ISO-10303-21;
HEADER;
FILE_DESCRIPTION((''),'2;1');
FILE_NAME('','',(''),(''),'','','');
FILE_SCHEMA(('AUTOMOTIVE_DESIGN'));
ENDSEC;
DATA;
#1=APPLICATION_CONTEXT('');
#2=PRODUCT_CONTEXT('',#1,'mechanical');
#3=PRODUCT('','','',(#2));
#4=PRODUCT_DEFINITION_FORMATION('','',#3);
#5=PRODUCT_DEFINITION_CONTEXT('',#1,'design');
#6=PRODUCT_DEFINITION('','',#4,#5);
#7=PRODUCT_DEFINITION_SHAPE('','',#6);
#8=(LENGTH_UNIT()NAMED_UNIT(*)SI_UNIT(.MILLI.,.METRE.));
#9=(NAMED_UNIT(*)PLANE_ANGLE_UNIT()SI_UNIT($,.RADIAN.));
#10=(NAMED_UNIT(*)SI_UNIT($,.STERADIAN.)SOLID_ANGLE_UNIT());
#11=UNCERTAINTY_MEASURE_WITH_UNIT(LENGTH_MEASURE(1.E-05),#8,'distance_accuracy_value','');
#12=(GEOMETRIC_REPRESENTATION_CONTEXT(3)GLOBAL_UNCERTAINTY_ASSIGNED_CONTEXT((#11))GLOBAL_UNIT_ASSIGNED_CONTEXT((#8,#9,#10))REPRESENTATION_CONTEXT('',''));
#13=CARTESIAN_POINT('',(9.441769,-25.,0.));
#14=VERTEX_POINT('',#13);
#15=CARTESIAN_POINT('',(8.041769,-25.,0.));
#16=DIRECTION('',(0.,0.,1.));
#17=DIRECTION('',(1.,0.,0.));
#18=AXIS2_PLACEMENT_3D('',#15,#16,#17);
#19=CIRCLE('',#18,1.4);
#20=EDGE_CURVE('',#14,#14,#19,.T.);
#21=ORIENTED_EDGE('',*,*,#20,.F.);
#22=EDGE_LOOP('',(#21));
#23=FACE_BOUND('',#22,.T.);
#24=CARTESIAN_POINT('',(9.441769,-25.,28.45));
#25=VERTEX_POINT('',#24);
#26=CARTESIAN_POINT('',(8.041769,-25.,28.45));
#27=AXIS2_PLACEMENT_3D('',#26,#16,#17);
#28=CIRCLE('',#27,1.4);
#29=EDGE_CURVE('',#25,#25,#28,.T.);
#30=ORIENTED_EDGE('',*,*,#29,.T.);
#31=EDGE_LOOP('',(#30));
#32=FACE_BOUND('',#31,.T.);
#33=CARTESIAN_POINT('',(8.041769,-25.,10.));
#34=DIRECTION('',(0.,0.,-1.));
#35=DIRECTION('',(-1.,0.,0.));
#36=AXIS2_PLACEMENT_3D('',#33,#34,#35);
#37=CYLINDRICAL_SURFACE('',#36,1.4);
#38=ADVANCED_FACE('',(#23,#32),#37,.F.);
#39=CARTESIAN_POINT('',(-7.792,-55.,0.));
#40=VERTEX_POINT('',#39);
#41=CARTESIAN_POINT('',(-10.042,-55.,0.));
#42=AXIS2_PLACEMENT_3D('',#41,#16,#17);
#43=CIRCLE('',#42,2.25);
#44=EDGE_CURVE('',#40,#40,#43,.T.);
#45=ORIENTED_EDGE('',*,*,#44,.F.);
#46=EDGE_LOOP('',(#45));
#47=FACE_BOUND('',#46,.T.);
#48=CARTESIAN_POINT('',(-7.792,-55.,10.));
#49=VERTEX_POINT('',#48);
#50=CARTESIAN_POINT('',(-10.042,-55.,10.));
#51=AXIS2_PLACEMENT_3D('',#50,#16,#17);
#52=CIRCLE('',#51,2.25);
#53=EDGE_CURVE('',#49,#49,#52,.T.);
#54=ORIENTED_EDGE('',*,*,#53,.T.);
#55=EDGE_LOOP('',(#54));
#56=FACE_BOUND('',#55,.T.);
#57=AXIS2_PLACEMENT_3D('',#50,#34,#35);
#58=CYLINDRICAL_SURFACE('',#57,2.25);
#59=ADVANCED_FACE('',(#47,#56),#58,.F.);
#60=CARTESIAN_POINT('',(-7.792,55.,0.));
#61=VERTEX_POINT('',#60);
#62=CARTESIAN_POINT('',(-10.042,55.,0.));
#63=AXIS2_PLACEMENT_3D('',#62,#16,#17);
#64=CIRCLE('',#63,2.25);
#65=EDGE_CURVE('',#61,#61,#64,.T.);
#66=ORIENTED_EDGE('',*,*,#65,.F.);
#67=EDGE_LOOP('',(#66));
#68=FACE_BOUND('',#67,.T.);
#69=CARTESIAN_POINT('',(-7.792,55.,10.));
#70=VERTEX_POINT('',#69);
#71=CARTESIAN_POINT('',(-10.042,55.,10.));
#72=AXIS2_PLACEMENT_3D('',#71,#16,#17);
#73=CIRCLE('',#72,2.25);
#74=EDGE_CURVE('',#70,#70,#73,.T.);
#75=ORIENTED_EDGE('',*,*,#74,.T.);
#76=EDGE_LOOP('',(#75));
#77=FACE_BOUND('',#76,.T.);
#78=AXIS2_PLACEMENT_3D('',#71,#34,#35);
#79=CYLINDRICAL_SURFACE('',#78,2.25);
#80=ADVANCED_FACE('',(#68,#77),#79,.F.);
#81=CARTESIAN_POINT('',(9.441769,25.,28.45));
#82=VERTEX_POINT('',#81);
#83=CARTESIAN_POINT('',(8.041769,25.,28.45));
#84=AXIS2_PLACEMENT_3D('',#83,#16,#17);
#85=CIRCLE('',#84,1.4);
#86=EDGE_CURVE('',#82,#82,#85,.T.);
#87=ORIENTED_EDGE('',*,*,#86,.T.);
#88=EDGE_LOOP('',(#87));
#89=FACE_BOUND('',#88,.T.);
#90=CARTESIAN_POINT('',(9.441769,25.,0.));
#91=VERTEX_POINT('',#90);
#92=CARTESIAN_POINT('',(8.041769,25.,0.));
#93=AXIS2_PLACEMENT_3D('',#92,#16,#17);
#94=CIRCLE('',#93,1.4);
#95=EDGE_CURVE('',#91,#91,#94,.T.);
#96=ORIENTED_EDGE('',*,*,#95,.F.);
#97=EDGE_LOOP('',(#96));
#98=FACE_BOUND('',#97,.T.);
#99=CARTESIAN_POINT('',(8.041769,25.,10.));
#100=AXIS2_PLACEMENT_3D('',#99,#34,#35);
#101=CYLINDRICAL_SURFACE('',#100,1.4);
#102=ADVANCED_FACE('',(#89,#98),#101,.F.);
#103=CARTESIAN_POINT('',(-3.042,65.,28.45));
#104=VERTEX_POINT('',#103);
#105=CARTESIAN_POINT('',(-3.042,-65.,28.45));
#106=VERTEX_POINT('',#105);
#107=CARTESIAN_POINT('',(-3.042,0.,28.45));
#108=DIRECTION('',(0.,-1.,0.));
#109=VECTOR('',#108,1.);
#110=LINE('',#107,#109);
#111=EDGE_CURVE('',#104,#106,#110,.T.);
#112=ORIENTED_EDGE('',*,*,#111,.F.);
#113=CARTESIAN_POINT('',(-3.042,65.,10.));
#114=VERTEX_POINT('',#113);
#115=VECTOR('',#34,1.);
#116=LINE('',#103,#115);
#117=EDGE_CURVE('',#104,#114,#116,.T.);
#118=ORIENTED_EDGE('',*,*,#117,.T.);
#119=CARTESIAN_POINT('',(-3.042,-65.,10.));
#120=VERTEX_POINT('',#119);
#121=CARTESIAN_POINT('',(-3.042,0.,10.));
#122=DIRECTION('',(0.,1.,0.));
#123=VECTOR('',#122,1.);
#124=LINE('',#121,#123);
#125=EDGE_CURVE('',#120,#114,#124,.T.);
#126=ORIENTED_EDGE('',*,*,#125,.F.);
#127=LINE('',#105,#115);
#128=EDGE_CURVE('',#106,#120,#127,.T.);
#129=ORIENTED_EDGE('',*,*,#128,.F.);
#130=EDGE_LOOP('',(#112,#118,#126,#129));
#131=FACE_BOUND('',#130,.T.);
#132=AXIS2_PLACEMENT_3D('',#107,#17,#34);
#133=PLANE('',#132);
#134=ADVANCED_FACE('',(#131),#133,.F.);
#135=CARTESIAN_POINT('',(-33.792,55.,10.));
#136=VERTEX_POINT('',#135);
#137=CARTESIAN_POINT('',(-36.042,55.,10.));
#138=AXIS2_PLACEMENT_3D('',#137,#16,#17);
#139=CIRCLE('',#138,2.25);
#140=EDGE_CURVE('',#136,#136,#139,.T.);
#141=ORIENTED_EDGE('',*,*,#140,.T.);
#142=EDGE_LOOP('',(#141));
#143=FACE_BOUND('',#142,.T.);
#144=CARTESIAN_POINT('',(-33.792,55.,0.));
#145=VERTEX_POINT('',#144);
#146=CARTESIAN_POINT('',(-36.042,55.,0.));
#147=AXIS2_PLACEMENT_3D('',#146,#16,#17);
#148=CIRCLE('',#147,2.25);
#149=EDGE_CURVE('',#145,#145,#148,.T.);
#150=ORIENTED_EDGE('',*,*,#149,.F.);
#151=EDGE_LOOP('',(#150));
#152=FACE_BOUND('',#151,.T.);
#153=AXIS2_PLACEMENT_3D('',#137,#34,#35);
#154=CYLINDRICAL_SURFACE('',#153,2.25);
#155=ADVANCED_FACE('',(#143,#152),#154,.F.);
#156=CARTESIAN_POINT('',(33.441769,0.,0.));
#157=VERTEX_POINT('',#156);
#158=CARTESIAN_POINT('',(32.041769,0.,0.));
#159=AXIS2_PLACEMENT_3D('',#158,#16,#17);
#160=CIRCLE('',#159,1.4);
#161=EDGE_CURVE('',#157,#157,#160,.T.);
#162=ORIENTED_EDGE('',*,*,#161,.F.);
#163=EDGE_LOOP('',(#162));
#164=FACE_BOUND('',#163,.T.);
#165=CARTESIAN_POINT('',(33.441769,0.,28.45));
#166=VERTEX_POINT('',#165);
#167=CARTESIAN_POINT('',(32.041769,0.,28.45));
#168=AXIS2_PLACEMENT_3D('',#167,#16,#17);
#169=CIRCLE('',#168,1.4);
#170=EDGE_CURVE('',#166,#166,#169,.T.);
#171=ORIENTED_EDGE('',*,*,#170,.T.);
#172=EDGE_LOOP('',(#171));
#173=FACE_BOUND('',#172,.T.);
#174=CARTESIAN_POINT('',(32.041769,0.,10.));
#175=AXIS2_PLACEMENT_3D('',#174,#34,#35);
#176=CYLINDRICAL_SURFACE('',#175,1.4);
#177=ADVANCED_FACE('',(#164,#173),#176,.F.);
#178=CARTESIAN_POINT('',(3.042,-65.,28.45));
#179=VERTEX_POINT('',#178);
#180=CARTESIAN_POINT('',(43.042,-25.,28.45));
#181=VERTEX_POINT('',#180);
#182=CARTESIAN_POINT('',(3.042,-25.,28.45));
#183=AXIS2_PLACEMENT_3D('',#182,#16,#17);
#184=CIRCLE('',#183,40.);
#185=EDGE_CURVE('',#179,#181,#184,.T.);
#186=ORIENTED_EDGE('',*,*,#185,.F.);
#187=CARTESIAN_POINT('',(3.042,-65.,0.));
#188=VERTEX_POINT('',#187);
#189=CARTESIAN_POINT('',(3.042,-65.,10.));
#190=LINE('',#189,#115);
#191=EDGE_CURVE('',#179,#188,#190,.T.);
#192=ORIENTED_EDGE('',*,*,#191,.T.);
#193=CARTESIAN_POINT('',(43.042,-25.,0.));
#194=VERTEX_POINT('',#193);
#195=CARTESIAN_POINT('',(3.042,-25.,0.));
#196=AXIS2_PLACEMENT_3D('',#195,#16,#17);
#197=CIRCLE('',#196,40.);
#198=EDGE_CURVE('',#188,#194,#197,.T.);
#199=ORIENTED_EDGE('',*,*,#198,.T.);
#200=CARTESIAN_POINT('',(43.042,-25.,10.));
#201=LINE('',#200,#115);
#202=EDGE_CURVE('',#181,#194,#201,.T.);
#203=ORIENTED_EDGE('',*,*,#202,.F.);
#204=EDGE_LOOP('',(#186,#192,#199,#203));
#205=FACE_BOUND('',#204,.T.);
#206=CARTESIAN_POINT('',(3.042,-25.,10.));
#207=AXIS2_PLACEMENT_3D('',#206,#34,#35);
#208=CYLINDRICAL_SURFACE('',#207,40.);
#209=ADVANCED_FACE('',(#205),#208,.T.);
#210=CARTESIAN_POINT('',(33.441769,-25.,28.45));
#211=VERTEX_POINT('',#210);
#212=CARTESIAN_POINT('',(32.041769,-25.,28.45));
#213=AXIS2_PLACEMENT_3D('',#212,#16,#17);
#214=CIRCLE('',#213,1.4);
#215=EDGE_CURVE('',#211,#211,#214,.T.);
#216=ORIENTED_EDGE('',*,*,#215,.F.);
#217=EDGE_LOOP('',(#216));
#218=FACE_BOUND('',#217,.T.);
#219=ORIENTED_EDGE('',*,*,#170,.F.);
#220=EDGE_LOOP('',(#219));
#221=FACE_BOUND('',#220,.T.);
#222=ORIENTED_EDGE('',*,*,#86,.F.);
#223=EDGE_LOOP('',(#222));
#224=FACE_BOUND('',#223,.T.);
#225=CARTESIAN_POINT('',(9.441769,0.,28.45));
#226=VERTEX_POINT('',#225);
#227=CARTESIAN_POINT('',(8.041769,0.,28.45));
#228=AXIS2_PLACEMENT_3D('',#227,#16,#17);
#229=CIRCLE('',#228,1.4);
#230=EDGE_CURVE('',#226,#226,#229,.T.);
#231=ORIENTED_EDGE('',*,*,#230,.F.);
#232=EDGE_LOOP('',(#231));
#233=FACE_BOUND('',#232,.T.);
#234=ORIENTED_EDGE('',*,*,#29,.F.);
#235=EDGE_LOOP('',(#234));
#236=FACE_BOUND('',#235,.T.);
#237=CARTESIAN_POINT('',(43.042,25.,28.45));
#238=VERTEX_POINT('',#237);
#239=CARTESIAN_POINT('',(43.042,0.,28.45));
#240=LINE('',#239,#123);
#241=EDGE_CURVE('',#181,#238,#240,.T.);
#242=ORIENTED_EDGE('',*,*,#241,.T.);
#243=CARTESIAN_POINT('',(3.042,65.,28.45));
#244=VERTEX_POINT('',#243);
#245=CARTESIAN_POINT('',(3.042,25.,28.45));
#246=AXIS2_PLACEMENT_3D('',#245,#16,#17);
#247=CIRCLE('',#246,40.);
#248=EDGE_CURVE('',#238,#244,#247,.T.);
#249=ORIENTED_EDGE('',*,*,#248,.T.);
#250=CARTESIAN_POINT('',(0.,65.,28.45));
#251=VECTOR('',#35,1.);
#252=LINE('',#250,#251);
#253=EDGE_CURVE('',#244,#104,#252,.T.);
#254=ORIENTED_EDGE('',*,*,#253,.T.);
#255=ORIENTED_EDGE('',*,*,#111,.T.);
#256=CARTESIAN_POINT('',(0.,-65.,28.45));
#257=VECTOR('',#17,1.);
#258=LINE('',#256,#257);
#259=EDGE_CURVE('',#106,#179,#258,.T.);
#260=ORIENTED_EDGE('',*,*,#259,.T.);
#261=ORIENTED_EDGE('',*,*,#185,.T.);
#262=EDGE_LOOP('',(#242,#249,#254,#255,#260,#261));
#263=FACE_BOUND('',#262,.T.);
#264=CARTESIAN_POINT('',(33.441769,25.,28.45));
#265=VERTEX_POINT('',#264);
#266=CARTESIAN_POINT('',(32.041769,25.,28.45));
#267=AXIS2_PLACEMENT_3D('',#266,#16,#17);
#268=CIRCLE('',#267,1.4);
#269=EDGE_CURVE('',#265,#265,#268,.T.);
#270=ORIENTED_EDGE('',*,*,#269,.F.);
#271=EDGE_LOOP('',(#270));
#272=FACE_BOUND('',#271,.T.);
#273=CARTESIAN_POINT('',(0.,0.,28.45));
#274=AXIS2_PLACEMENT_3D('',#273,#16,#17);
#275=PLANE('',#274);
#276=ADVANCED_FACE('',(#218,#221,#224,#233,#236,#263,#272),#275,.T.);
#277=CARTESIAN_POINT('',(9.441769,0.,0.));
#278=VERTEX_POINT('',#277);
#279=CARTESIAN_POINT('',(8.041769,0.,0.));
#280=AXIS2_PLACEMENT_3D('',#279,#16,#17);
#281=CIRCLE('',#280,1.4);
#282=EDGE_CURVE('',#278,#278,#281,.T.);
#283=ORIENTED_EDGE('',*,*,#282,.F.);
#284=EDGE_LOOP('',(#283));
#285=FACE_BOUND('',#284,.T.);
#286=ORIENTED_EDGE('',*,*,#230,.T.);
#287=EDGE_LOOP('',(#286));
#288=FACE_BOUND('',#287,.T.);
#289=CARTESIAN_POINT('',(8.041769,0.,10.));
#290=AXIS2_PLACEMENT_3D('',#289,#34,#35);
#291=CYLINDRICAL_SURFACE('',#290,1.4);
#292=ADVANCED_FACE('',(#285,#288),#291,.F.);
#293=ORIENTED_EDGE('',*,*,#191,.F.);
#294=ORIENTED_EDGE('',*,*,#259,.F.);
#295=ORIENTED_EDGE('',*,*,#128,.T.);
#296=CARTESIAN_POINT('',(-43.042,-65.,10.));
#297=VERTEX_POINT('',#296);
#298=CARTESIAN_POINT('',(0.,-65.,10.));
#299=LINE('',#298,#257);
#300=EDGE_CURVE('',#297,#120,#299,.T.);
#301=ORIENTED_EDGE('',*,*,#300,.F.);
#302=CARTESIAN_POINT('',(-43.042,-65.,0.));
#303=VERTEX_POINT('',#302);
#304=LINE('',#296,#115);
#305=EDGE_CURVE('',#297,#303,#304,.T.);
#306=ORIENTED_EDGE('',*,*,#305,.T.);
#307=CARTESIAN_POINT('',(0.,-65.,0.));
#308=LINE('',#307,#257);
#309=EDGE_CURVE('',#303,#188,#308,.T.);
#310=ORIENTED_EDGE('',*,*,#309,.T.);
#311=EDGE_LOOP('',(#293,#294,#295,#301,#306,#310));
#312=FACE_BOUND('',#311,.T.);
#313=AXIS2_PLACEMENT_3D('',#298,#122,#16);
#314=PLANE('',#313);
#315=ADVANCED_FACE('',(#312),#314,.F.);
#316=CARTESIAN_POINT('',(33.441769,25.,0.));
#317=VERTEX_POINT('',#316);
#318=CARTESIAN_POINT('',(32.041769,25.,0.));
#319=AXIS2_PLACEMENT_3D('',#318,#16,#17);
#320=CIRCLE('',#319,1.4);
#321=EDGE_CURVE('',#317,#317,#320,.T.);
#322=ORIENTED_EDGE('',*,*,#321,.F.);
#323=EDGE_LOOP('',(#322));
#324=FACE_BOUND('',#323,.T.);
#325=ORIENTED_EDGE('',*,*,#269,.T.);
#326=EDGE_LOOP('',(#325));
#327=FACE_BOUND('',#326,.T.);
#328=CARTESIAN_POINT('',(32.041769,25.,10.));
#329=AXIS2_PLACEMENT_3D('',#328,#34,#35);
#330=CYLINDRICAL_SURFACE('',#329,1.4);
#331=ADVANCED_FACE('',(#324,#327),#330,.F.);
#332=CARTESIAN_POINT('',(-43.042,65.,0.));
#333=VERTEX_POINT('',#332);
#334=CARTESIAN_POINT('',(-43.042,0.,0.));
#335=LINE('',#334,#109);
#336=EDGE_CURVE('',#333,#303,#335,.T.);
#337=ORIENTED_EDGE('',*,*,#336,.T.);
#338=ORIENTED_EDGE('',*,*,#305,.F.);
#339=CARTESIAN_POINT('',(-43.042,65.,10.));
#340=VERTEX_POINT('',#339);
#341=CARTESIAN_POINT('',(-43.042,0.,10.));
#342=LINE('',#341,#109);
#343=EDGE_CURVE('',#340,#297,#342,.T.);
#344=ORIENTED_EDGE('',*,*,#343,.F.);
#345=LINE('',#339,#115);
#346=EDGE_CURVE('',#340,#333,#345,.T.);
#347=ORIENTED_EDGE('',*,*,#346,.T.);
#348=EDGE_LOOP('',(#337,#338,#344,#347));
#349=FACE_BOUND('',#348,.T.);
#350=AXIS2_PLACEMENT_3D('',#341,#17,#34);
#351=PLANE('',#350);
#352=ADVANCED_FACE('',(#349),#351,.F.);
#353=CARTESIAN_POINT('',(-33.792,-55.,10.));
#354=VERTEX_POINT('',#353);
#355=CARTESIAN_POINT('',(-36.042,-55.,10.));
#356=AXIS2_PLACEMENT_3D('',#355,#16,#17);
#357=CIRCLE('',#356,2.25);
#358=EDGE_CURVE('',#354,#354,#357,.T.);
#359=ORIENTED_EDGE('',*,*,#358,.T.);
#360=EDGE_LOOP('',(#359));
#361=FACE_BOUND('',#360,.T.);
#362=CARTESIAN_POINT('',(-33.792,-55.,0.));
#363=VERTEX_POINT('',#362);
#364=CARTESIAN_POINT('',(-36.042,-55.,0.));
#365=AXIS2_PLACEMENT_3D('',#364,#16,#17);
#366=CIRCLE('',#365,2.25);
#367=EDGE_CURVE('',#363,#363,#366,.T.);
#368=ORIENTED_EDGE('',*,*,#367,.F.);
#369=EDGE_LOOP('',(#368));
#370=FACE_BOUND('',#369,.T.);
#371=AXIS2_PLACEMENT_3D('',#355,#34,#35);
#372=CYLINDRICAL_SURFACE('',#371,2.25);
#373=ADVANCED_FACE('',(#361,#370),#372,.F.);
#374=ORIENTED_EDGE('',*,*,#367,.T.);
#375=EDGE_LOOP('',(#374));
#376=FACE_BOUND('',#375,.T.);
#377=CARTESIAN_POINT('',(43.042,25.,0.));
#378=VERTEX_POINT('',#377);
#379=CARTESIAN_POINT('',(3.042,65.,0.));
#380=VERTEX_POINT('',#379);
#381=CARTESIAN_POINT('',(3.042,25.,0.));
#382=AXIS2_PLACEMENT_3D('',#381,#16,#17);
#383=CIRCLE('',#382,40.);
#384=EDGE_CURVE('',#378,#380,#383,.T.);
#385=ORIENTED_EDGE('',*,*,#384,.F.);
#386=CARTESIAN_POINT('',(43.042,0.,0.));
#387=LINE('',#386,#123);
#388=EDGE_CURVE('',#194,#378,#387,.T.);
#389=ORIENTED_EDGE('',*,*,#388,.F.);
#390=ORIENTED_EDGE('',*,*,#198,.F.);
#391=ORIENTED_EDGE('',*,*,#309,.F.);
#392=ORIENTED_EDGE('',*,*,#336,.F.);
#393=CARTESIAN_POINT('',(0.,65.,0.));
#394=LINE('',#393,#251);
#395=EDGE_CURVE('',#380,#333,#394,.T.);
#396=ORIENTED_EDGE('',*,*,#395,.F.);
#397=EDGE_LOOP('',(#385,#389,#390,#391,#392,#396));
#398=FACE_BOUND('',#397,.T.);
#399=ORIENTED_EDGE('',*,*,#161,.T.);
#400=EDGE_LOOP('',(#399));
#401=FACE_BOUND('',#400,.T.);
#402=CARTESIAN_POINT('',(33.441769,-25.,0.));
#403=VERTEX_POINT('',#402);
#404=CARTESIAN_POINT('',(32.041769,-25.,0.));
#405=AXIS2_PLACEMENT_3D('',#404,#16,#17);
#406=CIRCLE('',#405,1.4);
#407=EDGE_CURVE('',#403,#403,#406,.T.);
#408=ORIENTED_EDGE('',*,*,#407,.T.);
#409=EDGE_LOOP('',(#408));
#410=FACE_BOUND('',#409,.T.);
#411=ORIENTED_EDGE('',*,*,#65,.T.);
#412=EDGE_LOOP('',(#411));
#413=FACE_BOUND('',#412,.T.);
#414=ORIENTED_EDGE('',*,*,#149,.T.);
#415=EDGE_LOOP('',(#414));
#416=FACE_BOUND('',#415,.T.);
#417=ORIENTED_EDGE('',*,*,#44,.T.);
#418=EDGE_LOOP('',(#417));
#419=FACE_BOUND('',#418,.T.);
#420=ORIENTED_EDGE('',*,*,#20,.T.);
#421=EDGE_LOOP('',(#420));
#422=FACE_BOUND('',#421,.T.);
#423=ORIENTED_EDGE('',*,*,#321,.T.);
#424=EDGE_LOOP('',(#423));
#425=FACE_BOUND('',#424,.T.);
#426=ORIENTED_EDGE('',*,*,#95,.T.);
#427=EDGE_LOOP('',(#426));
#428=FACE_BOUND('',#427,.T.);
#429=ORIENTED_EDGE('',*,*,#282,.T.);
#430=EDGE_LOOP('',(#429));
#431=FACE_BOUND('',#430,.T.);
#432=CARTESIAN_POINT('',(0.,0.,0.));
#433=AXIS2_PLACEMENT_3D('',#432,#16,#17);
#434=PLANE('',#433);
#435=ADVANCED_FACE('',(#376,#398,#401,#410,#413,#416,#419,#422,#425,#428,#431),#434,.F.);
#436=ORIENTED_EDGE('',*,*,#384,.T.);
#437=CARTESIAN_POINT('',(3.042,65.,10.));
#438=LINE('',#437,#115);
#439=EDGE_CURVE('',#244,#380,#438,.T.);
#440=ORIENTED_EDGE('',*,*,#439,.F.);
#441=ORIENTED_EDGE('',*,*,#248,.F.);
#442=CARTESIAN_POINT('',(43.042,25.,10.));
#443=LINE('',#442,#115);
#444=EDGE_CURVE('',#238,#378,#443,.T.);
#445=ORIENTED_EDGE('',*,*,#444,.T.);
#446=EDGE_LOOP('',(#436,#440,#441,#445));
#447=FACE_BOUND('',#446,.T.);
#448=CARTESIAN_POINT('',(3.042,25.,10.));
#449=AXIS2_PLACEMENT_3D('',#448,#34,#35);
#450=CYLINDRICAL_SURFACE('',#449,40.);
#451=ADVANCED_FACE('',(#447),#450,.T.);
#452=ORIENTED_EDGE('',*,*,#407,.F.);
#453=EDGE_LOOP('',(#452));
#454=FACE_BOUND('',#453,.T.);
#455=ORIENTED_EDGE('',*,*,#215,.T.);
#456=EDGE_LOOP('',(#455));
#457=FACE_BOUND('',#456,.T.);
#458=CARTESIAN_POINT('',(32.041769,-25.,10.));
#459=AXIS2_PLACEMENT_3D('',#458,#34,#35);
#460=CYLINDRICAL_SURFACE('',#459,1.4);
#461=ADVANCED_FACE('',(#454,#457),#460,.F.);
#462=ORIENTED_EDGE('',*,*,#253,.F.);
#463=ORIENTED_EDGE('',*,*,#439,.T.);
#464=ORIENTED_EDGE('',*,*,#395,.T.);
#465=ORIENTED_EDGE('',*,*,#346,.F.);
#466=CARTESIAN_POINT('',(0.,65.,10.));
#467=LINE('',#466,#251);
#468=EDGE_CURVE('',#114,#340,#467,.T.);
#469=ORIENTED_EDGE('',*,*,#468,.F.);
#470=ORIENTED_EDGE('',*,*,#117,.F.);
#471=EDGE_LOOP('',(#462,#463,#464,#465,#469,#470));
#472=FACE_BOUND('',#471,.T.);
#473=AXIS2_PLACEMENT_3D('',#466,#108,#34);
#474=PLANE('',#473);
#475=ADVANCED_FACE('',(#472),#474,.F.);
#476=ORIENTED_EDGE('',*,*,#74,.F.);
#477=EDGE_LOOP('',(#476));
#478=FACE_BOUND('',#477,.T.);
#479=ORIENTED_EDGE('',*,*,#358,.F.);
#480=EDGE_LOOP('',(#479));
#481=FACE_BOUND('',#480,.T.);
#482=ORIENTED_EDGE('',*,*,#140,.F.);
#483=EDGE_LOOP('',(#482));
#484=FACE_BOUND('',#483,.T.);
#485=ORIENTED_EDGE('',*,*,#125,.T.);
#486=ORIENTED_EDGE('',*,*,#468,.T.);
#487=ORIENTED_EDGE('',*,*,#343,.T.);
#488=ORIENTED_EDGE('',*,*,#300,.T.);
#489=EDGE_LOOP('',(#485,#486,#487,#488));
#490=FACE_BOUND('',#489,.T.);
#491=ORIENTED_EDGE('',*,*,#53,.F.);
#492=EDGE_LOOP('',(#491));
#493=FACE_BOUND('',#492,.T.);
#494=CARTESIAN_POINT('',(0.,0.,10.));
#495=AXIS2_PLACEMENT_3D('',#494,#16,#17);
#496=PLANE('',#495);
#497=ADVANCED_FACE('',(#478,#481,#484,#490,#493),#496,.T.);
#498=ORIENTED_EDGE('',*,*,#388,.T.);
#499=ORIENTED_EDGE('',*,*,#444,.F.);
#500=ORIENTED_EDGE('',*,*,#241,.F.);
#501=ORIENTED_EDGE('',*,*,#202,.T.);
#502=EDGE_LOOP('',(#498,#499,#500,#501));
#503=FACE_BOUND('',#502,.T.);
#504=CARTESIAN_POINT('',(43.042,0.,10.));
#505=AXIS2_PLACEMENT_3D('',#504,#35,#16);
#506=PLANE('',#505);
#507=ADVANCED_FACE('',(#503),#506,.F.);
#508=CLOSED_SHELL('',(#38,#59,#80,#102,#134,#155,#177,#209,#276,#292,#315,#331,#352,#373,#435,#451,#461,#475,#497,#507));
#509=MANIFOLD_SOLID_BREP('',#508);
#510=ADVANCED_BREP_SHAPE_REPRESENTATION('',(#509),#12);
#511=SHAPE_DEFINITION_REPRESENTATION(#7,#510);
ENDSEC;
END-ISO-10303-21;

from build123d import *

# Parameters (mm, degrees)
SKETCH1_R           = 1.4
SKETCH1_R_2         = 2.25
BOSS_EXTRUDE1_DEPTH = 10
SKETCH1_3_R         = 1.4
BOSS_EXTRUDE2_DEPTH = 28.45


with BuildPart() as part:
    # Sketch1 → Boss-Extrude1 (new body)
    with BuildSketch(Plane.XY):
        with BuildLine():
            ThreePointArc((3.042, -65.000000484), (31.326271247, -53.284271732), (43.042, -25.000000484))
            Line((43.042, -25.000000484), (43.042, 25.000000484))
            ThreePointArc((43.042, 25.000000484), (31.326271247, 53.284271732), (3.042, 65.000000484))
            Line((3.042, 65.000000484), (-43.042, 65.000000484))
            Line((-43.042, 65.000000484), (-43.042, -65.000000484))
            Line((-43.042, -65.000000484), (3.042, -65.000000484))
        make_face()
        with Locations((8.041768895, -25.000000484)):
            Circle(SKETCH1_R, mode=Mode.SUBTRACT)
        with Locations((32.041768895, -25.000000484)):
            Circle(SKETCH1_R, mode=Mode.SUBTRACT)
        with Locations((8.041768895, 0)):
            Circle(SKETCH1_R, mode=Mode.SUBTRACT)
        with Locations((8.041768895, 25.000000484)):
            Circle(SKETCH1_R, mode=Mode.SUBTRACT)
        with Locations((32.041768895, 0)):
            Circle(SKETCH1_R, mode=Mode.SUBTRACT)
        with Locations((32.041768895, 25.000000484)):
            Circle(SKETCH1_R, mode=Mode.SUBTRACT)
        with Locations((-10.042, 55.000000484)):
            Circle(SKETCH1_R_2, mode=Mode.SUBTRACT)
        with Locations((-36.042, -54.999999516)):
            Circle(SKETCH1_R_2, mode=Mode.SUBTRACT)
        with Locations((-10.042, -54.999999516)):
            Circle(SKETCH1_R_2, mode=Mode.SUBTRACT)
        with Locations((-36.042, 55.000000484)):
            Circle(SKETCH1_R_2, mode=Mode.SUBTRACT)
    extrude(amount=BOSS_EXTRUDE1_DEPTH)

    # Sketch1<3> → Boss-Extrude2 (add)
    with BuildSketch(Plane.XY):
        with BuildLine():
            ThreePointArc((3.042, -65.000000484), (31.326271247, -53.284271732), (43.042, -25.000000484))
            Line((43.042, -25.000000484), (43.042, 25.000000484))
            ThreePointArc((43.042, 25.000000484), (31.326271247, 53.284271732), (3.042, 65.000000484))
            Line((3.042, 65.000000484), (-3.042, 65.000000484))
            Line((-3.042, 65.000000484), (-3.042, -65.000000484))
            Line((-3.042, -65.000000484), (3.042, -65.000000484))
        make_face()
        with Locations((8.041768895, -25.000000484)):
            Circle(SKETCH1_3_R, mode=Mode.SUBTRACT)
        with Locations((32.041768895, -25.000000484)):
            Circle(SKETCH1_3_R, mode=Mode.SUBTRACT)
        with Locations((8.041768895, 0)):
            Circle(SKETCH1_3_R, mode=Mode.SUBTRACT)
        with Locations((8.041768895, 25.000000484)):
            Circle(SKETCH1_3_R, mode=Mode.SUBTRACT)
        with Locations((32.041768895, 0)):
            Circle(SKETCH1_3_R, mode=Mode.SUBTRACT)
        with Locations((32.041768895, 25.000000484)):
            Circle(SKETCH1_3_R, mode=Mode.SUBTRACT)
    extrude(amount=BOSS_EXTRUDE2_DEPTH)


solid = part.part
